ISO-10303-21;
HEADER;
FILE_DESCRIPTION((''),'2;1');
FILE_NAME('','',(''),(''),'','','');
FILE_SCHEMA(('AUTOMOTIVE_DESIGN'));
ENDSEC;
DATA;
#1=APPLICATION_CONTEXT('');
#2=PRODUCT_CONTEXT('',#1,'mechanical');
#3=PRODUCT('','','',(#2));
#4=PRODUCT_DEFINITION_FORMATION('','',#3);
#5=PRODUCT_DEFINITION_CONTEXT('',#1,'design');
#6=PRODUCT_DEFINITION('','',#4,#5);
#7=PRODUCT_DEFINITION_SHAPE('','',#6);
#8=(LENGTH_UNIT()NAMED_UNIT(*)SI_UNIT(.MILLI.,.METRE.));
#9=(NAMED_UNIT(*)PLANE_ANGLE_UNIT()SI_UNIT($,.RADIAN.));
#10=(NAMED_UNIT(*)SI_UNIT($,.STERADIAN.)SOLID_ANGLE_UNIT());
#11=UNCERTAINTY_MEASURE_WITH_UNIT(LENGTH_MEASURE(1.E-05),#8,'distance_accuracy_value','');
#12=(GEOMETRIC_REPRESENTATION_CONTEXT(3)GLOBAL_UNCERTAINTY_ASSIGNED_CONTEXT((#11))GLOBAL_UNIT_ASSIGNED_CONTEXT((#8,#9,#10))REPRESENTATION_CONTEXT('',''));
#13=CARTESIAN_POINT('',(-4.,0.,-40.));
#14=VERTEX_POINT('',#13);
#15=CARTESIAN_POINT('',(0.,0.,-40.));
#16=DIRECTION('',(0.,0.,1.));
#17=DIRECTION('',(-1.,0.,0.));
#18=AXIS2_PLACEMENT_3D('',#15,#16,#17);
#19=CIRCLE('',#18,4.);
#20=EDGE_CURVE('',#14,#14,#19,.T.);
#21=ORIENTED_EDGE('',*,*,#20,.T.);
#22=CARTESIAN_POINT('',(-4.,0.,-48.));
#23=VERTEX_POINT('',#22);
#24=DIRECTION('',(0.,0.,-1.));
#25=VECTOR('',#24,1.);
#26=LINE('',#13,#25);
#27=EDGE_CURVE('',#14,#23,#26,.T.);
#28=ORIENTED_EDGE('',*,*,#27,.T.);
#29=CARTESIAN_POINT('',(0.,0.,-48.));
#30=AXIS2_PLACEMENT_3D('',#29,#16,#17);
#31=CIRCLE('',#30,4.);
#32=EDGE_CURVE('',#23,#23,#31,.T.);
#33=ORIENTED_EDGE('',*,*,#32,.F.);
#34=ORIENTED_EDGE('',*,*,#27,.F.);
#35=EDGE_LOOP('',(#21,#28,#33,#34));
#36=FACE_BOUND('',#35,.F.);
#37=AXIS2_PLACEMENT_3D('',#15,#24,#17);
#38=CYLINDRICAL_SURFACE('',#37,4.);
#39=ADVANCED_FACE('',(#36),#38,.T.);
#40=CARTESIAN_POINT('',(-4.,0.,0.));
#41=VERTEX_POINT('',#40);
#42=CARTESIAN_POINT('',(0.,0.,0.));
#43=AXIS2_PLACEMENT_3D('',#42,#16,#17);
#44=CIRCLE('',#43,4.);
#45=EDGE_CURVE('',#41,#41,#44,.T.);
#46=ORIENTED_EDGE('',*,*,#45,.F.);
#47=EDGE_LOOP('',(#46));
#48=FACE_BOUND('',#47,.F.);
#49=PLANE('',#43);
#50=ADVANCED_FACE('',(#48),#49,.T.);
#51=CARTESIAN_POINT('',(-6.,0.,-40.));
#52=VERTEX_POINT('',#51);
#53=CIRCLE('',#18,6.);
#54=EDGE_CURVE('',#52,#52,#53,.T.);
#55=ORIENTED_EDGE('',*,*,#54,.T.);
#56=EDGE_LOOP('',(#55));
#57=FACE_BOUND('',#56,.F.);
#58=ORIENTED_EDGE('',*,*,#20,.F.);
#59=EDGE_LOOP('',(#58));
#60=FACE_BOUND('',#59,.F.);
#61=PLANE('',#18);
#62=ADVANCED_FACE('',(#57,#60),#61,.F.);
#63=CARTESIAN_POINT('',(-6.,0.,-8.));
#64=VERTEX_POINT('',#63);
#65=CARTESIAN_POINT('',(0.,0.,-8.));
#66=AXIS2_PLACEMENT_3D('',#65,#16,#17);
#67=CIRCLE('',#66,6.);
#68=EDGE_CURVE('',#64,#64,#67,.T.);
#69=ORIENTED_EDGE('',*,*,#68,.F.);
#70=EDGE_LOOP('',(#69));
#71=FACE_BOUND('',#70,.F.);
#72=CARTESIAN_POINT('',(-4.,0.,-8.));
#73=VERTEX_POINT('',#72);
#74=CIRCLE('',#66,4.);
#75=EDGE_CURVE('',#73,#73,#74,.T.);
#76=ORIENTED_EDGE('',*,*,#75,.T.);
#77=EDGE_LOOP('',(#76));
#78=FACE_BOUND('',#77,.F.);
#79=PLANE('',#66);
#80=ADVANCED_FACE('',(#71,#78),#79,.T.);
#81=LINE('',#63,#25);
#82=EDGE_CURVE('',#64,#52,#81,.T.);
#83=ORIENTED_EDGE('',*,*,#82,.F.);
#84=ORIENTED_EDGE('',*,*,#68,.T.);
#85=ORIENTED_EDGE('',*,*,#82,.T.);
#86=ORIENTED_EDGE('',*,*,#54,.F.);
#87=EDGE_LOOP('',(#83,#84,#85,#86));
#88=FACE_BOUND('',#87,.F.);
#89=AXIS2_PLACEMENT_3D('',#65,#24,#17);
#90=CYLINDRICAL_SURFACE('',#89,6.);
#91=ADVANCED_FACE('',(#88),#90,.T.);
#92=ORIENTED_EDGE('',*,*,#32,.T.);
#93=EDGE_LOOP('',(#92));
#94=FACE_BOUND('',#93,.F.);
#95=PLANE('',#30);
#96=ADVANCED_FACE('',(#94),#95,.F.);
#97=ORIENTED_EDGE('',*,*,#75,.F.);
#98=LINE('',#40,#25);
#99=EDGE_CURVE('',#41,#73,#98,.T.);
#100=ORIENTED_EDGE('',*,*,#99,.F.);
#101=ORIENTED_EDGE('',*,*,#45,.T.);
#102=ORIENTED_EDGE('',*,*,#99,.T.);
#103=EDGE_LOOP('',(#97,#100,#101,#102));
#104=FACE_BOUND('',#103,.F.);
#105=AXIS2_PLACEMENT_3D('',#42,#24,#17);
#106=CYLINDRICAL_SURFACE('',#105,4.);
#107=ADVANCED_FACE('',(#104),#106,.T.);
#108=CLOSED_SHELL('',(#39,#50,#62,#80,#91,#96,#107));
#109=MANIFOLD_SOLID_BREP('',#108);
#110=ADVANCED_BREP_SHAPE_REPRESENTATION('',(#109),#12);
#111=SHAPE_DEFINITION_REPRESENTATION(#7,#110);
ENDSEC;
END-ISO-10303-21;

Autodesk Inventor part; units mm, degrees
ref_plane "YZ Plane" through (0, 0, 0) normal (1, 0, 0) x (0, 1, 0)
ref_plane "XZ Plane" through (0, 0, 0) normal (0, 1, 0) x (-1, 0, 0)
ref_plane "XY Plane" through (0, 0, 0) normal (0, 0, 1) x (1, 0, 0)
sketch "Skizze1" plane through (0, 0, 0) normal (0, 1, 0) x (-1, 0, 0)
  line L0 (0, 0) -> (4, 0)
  line L1 (4, 0) -> (4, -8)
  line L2 (4, -8) -> (6, -8)
  line L3 (6, -8) -> (6, -40)
  line L4 (6, -40) -> (4, -40)
  line L5 (4, -40) -> (4, -48)
  line L6 (4, -48) -> (0, -48)
  line L7 (0, -48) -> (0, 0)
  dimension "d0" = 8
  dimension "d1" = 32
  dimension "d2" = 8
  dimension "d3" = 8
  dimension "d4" = 12
revolve "Umdrehung1" add sketch "Skizze1" angle 360 about axis through (0, 0, -48) along (0, 0, 1)
thread "Gewinde1" size "M8x1.25" class "6g" standard "ISO Metric profile" full length
equation "\"d2\" = d0"
properties part number "17"
